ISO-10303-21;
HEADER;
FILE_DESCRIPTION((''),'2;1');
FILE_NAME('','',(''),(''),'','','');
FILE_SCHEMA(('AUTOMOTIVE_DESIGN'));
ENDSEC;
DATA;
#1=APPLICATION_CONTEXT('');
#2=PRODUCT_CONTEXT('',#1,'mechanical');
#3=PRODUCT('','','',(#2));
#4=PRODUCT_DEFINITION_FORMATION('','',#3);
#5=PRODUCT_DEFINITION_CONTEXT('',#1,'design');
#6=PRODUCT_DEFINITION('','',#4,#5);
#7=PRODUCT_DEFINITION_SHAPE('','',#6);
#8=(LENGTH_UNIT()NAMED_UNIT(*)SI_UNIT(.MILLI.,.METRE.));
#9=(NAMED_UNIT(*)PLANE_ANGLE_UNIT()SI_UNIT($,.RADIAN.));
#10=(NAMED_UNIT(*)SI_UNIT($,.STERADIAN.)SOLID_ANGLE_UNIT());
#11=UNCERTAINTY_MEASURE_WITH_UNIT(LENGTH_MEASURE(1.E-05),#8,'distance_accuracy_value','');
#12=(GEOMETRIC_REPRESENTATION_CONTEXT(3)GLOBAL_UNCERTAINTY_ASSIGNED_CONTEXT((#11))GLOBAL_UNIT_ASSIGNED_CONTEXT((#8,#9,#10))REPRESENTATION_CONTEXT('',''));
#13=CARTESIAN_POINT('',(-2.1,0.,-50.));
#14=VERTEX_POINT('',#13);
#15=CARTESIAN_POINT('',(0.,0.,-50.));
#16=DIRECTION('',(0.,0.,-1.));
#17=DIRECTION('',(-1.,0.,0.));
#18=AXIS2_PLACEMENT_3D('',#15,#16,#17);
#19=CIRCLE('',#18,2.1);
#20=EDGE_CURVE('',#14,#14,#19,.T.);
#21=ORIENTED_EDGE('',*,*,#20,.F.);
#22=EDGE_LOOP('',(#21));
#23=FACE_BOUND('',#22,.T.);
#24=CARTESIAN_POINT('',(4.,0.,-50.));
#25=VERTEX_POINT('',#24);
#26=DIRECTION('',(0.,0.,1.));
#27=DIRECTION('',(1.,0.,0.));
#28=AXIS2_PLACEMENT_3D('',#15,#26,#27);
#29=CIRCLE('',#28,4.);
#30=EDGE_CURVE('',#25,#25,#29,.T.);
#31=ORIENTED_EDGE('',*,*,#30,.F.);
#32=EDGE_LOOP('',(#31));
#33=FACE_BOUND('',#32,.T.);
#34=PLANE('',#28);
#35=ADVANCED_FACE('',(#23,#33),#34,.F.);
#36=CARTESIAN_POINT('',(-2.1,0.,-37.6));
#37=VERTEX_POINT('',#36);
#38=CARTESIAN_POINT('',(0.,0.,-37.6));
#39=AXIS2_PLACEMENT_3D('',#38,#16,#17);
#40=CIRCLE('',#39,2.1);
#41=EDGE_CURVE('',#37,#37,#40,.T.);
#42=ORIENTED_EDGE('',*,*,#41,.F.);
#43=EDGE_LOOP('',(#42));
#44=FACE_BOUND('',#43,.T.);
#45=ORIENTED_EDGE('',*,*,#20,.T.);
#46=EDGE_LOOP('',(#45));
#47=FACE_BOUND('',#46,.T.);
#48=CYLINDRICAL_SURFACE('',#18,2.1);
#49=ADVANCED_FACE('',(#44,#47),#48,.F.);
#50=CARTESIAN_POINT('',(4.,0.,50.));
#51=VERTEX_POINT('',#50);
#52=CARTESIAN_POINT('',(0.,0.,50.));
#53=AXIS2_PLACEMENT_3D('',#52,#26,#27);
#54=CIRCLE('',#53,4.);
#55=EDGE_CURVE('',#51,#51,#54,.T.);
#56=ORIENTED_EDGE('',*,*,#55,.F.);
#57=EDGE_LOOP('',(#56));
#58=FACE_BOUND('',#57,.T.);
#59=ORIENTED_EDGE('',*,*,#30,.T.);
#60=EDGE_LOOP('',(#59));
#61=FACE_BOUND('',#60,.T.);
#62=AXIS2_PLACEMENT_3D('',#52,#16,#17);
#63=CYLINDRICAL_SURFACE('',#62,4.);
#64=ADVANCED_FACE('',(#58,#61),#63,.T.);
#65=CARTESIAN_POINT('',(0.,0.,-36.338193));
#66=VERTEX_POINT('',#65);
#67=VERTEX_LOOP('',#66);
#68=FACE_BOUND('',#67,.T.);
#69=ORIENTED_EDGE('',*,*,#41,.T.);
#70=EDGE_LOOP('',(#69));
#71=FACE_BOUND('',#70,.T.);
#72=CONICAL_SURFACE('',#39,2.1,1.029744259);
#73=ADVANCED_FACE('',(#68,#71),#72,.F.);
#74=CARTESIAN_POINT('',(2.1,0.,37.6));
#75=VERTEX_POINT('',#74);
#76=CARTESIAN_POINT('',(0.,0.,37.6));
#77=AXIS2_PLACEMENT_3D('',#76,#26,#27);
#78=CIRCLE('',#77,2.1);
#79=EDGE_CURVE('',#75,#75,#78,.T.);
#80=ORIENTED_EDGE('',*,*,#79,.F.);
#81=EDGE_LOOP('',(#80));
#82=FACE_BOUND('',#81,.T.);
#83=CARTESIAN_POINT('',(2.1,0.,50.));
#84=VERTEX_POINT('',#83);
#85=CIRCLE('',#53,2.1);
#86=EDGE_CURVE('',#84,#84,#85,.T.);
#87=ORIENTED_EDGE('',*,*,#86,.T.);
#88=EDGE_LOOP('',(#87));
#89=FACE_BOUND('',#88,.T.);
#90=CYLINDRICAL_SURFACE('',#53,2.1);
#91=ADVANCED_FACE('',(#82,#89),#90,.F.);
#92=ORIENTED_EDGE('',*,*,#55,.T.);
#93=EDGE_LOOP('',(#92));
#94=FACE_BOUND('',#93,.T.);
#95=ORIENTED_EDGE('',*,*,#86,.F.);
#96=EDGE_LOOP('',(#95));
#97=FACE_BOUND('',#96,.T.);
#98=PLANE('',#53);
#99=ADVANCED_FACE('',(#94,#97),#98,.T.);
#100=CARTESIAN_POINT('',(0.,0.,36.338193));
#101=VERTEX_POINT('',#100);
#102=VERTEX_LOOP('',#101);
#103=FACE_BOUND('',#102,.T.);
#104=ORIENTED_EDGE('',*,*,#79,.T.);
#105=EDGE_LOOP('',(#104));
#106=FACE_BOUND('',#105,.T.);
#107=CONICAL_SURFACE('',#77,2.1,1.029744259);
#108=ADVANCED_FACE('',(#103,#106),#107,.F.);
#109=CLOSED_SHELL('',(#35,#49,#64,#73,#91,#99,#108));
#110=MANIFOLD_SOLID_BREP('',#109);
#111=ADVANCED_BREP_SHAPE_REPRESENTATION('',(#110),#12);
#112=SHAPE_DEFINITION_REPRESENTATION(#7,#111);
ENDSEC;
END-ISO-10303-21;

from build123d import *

# Parameters (mm, degrees)
SKETCH_1_R      = 4
EXTRUDE_1_DEPTH = 50


with BuildPart() as part:
    # 草图1 → 凸台-拉伸1 (new, symmetric)
    with BuildSketch(Plane.XY):
        Circle(SKETCH_1_R)
    extrude(amount=EXTRUDE_1_DEPTH, both=True)

    # 草图3 → M5 螺纹孔1 (revolve, cut)
    with BuildSketch(Plane(origin=(0, 0, 50), x_dir=(0, -1, 0), z_dir=(1, 0, 0))):
        Polygon((0, 0), (0, 13.6618073), (2.1, 12.4), (2.1, 0), align=None)
    hole_wizard_m5_1 = revolve(axis=Axis((0, 0, 56.35), (0, 0, -1)), mode=Mode.SUBTRACT)

    # 镜向1: M5 螺纹孔1 across plane
    add(hole_wizard_m5_1.mirror(Plane.XY), mode=Mode.SUBTRACT)


solid = part.part
